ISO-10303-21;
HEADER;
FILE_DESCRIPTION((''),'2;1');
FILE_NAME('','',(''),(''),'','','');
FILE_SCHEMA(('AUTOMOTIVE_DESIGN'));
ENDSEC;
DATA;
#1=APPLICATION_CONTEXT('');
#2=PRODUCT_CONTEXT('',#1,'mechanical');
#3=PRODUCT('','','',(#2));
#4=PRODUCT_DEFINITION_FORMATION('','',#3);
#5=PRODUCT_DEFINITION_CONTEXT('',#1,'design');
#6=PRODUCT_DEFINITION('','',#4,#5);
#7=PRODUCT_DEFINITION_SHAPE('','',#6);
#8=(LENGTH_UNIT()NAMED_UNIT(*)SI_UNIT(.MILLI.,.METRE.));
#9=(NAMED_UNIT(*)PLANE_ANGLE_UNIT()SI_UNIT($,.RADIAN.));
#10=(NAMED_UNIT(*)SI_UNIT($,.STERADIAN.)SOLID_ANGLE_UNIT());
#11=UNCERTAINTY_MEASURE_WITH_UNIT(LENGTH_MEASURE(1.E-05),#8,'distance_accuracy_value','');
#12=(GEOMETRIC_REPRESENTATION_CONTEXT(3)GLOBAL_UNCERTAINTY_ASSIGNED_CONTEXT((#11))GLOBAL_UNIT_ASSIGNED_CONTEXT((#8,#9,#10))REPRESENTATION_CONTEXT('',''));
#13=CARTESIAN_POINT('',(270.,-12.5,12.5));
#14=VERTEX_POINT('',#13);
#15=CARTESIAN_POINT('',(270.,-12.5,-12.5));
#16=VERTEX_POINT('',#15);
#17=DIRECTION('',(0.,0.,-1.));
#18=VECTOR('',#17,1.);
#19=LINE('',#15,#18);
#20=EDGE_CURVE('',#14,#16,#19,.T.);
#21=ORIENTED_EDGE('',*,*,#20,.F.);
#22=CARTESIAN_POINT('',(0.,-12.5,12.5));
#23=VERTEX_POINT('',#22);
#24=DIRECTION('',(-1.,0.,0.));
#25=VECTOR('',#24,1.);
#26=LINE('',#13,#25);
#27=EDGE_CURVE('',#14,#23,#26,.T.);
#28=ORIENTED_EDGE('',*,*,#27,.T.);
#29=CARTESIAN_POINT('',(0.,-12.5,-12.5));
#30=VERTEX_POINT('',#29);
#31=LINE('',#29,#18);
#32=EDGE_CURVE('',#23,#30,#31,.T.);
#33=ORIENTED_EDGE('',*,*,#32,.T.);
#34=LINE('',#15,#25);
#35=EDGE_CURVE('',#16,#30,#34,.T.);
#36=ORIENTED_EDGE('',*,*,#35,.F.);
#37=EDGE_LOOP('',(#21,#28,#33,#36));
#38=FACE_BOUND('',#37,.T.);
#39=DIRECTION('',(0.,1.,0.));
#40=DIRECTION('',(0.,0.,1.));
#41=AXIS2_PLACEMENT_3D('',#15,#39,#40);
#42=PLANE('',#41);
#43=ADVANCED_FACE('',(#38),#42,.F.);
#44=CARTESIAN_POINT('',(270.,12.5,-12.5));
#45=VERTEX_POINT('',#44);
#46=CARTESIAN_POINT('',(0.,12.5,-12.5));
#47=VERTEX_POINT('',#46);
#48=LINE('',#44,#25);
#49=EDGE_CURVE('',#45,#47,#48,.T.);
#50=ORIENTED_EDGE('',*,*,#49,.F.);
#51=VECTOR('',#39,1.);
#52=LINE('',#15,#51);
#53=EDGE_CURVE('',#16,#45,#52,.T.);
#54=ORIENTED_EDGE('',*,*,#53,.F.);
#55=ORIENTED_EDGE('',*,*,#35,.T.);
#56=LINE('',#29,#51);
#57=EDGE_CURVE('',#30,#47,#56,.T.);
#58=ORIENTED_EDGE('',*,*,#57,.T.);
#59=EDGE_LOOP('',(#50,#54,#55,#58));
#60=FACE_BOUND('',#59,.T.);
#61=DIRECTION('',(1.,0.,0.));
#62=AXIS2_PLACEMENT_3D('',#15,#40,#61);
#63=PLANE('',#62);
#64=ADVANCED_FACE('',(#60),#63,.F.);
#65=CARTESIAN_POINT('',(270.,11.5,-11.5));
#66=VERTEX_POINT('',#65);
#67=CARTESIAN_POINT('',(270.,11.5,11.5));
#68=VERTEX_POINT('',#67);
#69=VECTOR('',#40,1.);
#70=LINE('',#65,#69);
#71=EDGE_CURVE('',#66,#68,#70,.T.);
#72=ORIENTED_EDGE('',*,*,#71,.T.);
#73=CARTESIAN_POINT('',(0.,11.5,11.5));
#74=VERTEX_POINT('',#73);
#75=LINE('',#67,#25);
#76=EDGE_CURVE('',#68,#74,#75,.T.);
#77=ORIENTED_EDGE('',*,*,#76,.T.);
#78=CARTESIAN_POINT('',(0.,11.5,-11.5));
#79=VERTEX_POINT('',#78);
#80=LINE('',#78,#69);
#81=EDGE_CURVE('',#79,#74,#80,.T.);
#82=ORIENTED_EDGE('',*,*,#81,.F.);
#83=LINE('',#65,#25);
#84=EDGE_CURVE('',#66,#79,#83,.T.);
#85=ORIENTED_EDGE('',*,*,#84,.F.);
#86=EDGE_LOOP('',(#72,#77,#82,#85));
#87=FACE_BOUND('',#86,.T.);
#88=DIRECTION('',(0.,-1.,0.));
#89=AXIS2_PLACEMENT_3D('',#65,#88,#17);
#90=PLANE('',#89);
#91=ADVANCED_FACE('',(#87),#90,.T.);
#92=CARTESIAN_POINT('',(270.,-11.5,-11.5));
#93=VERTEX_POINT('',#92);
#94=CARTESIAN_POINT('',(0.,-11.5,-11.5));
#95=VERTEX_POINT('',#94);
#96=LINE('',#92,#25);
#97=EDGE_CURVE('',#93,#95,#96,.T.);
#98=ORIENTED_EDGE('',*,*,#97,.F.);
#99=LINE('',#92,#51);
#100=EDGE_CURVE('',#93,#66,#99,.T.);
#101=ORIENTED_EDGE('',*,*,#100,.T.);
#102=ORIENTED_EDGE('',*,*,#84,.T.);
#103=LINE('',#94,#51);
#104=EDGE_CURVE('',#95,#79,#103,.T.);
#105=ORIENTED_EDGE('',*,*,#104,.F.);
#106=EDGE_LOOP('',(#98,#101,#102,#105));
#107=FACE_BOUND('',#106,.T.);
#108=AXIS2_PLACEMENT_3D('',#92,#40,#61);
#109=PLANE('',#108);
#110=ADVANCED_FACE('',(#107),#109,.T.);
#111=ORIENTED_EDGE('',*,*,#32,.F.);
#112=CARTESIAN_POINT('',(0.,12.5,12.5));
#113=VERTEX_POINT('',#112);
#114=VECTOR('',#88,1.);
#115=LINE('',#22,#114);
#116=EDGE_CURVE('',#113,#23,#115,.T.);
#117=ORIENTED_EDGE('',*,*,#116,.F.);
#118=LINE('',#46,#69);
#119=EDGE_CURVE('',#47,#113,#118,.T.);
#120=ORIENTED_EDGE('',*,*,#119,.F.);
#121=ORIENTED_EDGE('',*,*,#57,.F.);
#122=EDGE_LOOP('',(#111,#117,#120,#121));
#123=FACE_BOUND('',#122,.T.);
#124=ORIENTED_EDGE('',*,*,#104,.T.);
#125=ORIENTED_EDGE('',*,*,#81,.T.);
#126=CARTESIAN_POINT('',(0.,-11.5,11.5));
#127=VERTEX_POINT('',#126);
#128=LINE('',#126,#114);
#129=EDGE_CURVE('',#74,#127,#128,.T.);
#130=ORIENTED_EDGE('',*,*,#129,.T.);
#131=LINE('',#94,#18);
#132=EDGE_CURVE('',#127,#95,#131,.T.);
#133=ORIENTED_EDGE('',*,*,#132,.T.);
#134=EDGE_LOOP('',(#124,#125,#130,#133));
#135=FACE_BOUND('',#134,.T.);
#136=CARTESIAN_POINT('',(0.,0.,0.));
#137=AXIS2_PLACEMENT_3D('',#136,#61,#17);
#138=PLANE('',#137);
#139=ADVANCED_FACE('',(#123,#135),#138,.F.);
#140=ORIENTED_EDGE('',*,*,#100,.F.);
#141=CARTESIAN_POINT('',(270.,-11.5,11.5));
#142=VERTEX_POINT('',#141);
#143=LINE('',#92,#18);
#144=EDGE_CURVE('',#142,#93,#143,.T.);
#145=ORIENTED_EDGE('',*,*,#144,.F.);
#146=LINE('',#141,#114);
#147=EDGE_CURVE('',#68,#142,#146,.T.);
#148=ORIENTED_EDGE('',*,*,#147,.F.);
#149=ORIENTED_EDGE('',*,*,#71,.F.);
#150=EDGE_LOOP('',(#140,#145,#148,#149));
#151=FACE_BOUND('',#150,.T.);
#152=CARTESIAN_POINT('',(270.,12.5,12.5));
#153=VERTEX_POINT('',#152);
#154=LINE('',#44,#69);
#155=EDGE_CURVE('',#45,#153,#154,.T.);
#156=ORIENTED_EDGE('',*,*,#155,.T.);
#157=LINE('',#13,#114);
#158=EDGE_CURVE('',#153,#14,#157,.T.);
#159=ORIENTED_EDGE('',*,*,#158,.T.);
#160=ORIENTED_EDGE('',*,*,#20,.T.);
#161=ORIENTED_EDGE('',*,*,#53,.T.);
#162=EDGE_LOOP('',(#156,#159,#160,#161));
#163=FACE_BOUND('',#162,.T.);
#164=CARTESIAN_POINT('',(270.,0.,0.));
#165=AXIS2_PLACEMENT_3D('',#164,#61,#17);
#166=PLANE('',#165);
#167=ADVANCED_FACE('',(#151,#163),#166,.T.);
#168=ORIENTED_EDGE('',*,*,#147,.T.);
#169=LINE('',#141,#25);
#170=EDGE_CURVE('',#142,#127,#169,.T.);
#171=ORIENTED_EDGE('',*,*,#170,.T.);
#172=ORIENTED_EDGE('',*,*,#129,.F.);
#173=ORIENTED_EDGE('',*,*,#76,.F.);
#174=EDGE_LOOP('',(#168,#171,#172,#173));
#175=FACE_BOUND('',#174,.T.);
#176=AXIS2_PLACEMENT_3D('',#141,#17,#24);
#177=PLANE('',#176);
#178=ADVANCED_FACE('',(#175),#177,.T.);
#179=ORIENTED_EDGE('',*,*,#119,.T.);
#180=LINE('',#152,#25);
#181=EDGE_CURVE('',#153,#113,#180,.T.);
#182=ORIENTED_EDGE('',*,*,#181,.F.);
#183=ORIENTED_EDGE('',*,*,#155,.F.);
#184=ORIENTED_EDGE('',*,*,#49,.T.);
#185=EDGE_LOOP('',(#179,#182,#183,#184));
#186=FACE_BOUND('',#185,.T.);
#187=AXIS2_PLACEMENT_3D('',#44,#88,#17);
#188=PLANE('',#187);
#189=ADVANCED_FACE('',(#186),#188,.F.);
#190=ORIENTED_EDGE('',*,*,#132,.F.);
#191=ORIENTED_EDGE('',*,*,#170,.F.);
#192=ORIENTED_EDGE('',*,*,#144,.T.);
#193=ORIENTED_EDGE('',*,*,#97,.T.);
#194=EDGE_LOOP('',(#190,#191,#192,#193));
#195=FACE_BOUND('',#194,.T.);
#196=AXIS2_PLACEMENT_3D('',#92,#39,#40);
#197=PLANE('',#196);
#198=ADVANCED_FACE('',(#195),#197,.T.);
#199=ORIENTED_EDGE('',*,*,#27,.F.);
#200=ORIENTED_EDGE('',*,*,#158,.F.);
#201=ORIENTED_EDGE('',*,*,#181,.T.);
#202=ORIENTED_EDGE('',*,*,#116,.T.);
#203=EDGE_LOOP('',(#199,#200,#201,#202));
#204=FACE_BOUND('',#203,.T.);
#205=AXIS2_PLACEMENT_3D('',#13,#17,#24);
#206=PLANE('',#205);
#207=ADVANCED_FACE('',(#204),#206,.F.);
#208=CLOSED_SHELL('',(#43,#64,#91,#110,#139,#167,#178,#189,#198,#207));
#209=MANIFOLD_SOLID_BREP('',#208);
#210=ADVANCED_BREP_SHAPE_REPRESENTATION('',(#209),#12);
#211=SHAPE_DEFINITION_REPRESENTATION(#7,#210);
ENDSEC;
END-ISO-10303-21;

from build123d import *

# Parameters (mm, degrees)
SKETCH2_W           = 25
SKETCH2_H           = 25
SKETCH2_W_2         = 23
SKETCH2_H_2         = 23
BOSS_EXTRUDE1_DEPTH = 270


with BuildPart() as part:
    # Sketch2 → Boss-Extrude1 (new body)
    with BuildSketch(Plane(origin=(0, 0, 0), x_dir=(0, 0, -1), z_dir=(1, 0, 0))):
        Rectangle(SKETCH2_W, SKETCH2_H)
        Rectangle(SKETCH2_W_2, SKETCH2_H_2, mode=Mode.SUBTRACT)
    extrude(amount=BOSS_EXTRUDE1_DEPTH)


solid = part.part
